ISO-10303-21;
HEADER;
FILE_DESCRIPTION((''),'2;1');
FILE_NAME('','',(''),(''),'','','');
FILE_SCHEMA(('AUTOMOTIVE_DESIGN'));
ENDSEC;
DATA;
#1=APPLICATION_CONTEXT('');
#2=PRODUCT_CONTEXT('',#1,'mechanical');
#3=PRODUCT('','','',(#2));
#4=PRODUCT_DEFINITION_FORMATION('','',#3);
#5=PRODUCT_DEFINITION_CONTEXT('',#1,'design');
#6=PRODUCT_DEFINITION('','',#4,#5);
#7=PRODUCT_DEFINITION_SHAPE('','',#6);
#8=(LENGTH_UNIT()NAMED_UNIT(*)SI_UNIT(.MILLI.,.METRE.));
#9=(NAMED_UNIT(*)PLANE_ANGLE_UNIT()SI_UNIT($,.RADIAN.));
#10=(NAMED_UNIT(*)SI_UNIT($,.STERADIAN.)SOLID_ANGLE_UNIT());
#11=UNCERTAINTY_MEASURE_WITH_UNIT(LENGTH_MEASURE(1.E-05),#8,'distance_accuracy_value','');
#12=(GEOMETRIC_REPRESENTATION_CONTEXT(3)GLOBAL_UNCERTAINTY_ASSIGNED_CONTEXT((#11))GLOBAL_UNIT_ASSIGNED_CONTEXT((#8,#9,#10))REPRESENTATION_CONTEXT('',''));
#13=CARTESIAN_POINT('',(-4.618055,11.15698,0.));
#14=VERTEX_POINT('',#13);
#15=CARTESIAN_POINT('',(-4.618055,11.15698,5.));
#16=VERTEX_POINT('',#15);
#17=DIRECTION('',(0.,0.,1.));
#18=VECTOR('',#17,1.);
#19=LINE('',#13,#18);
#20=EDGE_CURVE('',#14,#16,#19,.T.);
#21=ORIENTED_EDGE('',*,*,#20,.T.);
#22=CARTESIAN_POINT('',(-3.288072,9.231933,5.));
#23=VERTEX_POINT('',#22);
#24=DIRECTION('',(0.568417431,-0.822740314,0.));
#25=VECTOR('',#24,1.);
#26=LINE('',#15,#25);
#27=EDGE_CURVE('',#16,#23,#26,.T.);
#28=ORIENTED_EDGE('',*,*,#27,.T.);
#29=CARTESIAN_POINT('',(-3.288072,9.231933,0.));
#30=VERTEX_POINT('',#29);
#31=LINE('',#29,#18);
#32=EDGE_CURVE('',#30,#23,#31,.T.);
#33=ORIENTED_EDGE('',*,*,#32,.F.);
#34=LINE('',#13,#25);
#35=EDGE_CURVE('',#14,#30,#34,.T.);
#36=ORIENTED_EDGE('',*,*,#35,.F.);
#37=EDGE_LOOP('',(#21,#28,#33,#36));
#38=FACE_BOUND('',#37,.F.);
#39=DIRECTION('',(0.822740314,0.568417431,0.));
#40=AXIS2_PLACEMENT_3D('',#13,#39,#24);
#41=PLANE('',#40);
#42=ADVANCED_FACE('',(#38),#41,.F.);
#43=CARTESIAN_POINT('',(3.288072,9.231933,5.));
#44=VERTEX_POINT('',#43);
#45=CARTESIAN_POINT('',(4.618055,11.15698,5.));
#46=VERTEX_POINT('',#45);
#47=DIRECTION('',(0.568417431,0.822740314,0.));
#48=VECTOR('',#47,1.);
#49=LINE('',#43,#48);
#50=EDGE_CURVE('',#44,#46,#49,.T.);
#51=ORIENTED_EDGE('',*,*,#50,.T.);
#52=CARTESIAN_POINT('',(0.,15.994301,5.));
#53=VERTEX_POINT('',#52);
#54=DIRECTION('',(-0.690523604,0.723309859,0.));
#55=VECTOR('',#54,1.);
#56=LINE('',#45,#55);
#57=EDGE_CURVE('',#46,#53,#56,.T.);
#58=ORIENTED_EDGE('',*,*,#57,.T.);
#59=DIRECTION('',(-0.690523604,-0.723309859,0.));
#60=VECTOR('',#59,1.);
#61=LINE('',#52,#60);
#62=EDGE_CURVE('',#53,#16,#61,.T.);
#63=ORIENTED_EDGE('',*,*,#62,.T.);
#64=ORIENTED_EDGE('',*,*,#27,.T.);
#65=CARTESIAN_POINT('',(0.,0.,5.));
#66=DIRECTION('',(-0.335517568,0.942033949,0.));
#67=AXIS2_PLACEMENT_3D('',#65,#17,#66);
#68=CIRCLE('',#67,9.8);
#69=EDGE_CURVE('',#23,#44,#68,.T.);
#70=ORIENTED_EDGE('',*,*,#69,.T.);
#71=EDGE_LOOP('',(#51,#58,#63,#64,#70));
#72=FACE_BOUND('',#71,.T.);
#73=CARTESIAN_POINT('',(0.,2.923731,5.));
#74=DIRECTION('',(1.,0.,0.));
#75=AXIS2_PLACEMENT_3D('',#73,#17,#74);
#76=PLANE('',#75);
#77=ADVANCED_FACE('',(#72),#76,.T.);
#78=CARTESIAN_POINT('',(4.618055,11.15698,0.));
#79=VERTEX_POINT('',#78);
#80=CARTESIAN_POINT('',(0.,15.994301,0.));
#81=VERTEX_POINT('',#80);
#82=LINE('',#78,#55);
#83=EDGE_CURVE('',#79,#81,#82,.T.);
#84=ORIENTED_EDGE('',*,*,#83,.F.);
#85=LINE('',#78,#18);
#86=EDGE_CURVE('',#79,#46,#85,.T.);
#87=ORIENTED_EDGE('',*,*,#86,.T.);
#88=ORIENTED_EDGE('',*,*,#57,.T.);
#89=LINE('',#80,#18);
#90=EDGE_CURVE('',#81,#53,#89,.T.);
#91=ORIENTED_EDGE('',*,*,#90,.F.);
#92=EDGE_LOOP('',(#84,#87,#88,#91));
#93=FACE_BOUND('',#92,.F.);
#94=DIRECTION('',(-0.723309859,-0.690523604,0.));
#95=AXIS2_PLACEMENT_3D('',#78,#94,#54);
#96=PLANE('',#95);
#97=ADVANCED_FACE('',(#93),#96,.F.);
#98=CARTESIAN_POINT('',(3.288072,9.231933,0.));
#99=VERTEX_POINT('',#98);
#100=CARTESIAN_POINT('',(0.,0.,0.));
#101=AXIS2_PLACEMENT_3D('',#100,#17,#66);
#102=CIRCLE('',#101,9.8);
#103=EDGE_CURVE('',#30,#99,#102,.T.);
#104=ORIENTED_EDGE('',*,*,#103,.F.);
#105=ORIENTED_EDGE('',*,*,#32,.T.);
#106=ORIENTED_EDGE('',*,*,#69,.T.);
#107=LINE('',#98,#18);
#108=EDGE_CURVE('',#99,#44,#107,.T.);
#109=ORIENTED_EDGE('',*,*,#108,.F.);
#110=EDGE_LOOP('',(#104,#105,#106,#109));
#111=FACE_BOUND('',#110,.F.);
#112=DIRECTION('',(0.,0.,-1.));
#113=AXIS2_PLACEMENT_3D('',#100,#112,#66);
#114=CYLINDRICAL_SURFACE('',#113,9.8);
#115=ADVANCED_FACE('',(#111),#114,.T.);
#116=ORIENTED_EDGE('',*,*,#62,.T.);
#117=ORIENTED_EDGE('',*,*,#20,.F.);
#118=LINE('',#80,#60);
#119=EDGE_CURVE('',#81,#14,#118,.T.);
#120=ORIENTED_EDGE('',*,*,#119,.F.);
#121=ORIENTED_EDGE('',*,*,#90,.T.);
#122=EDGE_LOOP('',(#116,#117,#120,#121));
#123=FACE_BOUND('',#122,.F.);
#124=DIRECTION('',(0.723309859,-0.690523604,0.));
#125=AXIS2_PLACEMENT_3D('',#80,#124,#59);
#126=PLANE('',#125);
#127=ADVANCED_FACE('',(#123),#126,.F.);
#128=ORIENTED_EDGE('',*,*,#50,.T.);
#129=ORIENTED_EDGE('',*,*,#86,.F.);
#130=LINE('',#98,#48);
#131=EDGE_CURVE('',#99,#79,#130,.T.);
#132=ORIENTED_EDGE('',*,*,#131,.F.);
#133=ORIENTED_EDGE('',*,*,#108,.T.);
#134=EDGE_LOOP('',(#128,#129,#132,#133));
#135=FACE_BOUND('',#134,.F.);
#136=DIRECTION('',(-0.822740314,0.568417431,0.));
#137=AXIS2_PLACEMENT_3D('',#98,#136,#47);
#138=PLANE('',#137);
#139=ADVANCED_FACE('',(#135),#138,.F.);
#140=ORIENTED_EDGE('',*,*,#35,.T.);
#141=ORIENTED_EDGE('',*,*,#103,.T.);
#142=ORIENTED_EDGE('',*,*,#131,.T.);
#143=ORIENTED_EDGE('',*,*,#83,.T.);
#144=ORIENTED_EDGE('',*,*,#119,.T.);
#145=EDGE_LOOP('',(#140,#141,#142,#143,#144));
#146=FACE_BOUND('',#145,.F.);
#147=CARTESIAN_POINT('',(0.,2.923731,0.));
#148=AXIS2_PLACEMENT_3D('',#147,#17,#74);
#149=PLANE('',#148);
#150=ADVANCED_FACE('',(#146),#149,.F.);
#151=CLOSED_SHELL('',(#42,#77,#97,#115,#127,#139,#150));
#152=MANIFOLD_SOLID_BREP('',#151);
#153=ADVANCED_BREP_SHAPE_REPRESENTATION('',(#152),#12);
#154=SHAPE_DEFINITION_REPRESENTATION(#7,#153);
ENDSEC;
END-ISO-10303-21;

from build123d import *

# Parameters (mm, degrees)
F1_DEPTH = 5


with BuildPart() as f1:
    # F0 (on Top) → F1 (new body)
    with BuildSketch(Plane.XY):
        with BuildLine():
            Line((3.2880722093, 9.2319328109), (4.6180547491, 11.1569797782))
            Line((4.6180547491, 11.1569797782), (0, 15.9943010658))
            Line((0, 15.9943010658), (-4.6180547491, 11.1569797782))
            Line((-4.6180547491, 11.1569797782), (-3.2880722093, 9.2319328109))
            ThreePointArc((-3.2880722093, 9.2319328109), (0, -9.8000001162), (3.2880722093, 9.2319328109))
        make_face()
        with BuildLine():
            ThreePointArc((2, 8.7749643874), (0, -9), (-2, 8.7749643874))
            Line((-2, 8.7749643874), (-3.5895747386, 11.0757510055))
            Line((-3.5895747386, 11.0757510055), (0, 14.8357597625))
            Line((0, 14.8357597625), (3.5895747386, 11.0757510055))
            Line((3.5895747386, 11.0757510055), (2, 8.7749643874))
        make_face(mode=Mode.SUBTRACT)
        with BuildLine():
            ThreePointArc((2, 8.7749643874), (0, 9), (-2, 8.7749643874))
            ThreePointArc((-2, 8.7749643874), (0, -9), (2, 8.7749643874))
        make_face()
        with BuildLine():
            Line((-3.5895747386, 11.0757510055), (-2, 8.7749643874))
            ThreePointArc((-2, 8.7749643874), (0, 9), (2, 8.7749643874))
            Line((2, 8.7749643874), (3.5895747386, 11.0757510055))
            Line((3.5895747386, 11.0757510055), (0, 14.8357597625))
            Line((0, 14.8357597625), (-3.5895747386, 11.0757510055))
        make_face()
    extrude(amount=F1_DEPTH)


solid = f1.part
